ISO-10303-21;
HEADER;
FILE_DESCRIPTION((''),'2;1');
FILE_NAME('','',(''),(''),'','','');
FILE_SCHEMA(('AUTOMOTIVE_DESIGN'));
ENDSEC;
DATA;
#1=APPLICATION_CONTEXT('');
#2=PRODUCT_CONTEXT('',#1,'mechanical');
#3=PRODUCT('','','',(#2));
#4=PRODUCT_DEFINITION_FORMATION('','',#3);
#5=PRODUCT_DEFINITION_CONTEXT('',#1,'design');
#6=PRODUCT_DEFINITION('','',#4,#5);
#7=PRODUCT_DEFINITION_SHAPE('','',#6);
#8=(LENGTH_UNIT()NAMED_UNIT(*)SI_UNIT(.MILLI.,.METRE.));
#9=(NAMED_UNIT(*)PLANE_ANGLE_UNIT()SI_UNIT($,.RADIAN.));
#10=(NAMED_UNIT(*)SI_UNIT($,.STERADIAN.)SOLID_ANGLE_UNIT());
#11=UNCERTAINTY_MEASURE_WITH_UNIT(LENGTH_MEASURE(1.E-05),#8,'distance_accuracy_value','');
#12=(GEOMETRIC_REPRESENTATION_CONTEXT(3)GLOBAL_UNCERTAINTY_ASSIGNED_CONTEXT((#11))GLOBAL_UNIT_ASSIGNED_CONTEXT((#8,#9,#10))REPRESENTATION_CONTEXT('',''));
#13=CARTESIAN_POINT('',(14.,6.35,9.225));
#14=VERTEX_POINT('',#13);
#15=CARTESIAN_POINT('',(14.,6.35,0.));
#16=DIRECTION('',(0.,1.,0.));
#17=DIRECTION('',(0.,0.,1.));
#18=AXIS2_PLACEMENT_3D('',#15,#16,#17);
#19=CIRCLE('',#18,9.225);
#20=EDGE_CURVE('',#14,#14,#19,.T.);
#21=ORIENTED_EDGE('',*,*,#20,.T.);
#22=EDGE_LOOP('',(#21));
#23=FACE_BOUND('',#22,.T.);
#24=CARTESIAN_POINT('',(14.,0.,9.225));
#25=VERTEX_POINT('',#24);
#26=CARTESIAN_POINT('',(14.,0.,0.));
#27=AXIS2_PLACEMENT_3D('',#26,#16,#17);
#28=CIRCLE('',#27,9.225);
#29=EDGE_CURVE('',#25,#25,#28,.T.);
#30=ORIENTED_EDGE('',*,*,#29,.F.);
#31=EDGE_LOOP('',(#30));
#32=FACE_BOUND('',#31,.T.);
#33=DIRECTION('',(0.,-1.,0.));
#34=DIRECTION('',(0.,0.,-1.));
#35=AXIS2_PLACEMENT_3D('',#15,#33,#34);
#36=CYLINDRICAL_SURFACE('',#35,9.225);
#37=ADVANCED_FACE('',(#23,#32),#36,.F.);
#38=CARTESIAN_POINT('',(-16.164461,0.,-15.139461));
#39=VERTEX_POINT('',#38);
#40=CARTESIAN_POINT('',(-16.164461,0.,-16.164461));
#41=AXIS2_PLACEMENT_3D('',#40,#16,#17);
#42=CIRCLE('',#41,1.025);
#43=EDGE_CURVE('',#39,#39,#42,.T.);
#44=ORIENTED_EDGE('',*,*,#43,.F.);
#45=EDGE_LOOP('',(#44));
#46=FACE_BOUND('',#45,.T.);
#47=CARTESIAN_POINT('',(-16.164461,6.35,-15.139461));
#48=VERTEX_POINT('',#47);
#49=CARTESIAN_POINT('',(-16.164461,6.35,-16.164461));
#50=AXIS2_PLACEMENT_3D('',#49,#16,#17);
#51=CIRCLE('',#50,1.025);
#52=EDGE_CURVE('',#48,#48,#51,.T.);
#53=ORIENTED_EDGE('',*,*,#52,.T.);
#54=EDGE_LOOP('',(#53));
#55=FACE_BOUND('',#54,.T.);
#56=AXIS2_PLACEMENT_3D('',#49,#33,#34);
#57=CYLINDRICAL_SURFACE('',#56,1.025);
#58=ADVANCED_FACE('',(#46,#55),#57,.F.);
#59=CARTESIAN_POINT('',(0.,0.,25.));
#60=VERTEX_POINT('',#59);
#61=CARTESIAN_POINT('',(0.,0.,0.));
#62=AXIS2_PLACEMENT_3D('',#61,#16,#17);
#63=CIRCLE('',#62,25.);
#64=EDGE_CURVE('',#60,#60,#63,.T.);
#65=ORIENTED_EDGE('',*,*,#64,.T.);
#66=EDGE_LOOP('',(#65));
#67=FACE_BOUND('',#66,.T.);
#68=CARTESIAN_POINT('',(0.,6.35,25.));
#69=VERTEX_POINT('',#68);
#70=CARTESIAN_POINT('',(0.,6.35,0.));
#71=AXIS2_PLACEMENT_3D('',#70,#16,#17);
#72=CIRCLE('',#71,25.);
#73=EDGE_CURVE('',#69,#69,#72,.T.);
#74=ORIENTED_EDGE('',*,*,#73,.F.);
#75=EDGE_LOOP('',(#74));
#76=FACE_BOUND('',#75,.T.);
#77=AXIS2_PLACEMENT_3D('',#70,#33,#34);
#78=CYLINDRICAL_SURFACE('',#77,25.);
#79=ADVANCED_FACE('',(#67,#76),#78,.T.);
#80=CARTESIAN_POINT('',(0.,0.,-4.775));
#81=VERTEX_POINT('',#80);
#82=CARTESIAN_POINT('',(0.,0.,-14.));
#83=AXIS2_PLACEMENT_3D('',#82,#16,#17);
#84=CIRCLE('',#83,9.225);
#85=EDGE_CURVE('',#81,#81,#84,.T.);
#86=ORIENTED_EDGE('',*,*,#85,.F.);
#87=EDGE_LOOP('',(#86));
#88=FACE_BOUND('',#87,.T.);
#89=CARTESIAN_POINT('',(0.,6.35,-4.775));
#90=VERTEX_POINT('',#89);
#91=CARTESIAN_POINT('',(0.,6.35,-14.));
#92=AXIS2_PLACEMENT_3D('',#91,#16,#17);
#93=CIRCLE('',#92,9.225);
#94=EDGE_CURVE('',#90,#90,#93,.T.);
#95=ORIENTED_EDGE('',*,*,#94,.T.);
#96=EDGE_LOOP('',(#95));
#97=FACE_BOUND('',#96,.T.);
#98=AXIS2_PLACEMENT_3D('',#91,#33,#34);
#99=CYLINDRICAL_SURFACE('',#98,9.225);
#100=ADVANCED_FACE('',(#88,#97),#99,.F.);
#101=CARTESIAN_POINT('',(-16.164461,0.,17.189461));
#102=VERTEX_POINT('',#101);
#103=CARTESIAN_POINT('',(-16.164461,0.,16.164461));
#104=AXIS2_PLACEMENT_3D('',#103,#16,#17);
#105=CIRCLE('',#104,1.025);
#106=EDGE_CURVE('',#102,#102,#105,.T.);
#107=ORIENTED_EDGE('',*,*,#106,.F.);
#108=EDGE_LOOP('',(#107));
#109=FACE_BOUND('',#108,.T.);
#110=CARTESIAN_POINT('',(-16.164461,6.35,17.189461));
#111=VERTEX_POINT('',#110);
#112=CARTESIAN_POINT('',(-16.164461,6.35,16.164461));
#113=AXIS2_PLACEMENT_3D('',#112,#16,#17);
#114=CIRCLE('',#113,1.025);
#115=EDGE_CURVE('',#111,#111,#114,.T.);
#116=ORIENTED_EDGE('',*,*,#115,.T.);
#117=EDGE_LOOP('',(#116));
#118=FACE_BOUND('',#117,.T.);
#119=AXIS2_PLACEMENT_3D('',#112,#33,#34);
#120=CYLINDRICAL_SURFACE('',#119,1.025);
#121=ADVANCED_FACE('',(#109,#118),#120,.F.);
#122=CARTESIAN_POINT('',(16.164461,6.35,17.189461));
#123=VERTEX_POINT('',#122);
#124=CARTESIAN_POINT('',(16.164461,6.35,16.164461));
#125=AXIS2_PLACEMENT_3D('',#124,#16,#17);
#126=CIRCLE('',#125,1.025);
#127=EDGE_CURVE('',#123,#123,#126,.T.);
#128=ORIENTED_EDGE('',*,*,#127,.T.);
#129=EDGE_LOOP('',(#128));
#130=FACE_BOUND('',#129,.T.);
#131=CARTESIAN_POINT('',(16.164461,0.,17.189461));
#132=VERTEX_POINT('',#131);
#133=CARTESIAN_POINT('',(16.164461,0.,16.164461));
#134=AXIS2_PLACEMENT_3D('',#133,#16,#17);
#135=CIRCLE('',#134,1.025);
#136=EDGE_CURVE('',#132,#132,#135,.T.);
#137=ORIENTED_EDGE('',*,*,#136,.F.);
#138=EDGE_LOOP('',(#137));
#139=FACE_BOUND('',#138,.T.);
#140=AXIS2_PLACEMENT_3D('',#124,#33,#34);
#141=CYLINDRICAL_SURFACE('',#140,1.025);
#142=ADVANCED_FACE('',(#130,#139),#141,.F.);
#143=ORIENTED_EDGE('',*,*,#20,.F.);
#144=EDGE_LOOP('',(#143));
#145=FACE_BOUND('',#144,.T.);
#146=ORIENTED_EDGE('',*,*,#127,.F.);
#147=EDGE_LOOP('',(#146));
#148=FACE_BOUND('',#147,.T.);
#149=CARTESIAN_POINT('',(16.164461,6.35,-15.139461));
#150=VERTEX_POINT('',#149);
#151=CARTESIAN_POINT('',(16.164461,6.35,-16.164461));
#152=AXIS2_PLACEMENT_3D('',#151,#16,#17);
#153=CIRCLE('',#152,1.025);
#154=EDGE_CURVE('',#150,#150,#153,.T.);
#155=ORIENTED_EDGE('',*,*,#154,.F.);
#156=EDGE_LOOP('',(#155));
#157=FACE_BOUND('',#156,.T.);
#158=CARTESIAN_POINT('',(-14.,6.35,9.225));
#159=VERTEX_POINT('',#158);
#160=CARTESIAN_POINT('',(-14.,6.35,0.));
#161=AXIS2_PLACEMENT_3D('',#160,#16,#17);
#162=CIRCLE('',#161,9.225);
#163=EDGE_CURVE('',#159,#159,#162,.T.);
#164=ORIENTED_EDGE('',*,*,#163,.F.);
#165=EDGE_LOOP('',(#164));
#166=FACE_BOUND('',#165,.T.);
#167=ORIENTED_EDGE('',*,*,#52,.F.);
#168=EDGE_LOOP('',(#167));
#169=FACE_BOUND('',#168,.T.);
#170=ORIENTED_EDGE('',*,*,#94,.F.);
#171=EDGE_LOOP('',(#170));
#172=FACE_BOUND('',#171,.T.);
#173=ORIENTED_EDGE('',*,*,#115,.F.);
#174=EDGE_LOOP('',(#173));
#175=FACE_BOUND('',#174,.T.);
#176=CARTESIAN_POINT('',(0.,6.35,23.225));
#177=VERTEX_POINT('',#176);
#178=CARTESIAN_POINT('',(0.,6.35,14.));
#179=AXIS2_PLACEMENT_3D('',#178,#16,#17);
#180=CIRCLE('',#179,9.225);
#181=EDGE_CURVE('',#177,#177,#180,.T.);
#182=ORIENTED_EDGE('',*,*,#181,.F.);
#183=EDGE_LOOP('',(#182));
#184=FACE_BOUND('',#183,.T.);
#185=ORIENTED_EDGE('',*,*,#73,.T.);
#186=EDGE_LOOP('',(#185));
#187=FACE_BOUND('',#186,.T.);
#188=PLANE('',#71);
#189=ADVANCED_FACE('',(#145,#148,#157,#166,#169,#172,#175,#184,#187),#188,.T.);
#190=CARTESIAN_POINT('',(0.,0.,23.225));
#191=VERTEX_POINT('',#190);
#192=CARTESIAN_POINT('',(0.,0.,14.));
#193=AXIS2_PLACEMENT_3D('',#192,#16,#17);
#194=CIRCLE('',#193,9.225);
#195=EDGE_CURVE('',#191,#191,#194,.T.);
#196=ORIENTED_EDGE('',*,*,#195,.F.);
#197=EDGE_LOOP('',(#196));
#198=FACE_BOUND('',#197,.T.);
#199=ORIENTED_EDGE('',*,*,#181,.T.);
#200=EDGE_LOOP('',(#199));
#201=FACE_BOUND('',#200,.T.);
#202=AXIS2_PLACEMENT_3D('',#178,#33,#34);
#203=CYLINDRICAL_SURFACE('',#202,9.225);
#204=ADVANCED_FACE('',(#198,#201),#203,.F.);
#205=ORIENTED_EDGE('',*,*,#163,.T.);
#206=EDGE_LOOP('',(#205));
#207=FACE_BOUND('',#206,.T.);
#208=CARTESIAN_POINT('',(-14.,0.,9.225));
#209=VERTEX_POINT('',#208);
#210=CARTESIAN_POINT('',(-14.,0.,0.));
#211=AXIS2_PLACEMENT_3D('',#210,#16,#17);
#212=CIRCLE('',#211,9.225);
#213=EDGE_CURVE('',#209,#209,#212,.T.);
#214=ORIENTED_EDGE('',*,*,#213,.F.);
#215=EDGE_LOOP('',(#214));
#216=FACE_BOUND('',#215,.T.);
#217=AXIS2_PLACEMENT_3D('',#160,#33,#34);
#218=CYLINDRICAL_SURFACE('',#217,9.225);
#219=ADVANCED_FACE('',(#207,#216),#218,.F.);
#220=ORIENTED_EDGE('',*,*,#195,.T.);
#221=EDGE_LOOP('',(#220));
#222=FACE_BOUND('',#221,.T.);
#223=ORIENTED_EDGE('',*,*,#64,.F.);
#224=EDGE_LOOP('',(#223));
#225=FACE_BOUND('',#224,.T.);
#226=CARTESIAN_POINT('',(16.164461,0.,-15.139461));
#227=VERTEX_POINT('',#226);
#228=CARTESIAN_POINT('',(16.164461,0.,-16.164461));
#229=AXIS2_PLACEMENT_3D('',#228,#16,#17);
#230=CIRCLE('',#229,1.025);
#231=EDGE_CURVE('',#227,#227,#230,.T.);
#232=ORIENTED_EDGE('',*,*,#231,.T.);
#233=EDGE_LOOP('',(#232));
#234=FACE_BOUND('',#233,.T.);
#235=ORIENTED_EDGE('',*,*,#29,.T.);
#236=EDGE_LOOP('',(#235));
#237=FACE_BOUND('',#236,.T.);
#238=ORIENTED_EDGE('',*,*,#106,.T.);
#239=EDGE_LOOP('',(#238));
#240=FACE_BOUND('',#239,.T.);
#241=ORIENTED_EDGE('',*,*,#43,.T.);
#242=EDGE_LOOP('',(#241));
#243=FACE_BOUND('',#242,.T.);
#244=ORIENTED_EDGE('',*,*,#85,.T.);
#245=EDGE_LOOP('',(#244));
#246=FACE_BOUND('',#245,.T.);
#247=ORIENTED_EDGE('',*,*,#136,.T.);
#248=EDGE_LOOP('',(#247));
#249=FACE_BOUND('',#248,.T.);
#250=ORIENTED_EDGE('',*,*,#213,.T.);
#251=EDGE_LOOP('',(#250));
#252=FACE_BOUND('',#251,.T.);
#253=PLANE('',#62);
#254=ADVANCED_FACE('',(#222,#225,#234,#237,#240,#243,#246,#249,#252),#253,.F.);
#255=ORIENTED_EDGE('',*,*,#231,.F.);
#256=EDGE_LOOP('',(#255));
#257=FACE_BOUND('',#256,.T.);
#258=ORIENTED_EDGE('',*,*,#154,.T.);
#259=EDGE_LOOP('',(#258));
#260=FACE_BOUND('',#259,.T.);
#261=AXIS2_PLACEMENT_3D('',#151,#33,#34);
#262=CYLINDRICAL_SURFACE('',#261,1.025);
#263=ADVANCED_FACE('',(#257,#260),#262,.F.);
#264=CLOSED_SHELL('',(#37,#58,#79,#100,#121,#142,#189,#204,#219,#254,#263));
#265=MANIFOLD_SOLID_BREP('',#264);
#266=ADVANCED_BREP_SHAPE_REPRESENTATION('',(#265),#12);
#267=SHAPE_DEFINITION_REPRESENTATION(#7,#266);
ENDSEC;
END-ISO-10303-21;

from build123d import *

# Parameters (mm, degrees)
SKETCH1_R           = 25
SKETCH1_R_2         = 1.025
SKETCH1_R_3         = 9.225
BOSS_EXTRUDE1_DEPTH = 6.35


with BuildPart() as part:
    # Sketch1 → Boss-Extrude1 (new body)
    with BuildSketch(Plane(origin=(0, 0, 0), x_dir=(1, 0, 0), z_dir=(0, 1, 0))):
        with Locations(Location((0, 0, 0), (0, 0, 270))):
            Circle(SKETCH1_R)
        with Locations(Location((16.164461018, 16.164461018, 0), (0, 0, 270))):
            Circle(SKETCH1_R_2, mode=Mode.SUBTRACT)
        with Locations(Location((16.164461018, -16.164461018, 0), (0, 0, 270))):
            Circle(SKETCH1_R_2, mode=Mode.SUBTRACT)
        with Locations(Location((-16.164461018, -16.164461018, 0), (0, 0, 270))):
            Circle(SKETCH1_R_2, mode=Mode.SUBTRACT)
        with Locations(Location((-16.164461018, 16.164461018, 0), (0, 0, 270))):
            Circle(SKETCH1_R_2, mode=Mode.SUBTRACT)
        with Locations(Location((14, 0, 0), (0, 0, 270))):
            Circle(SKETCH1_R_3, mode=Mode.SUBTRACT)
        with Locations(Location((0, -14, 0), (0, 0, 270))):
            Circle(SKETCH1_R_3, mode=Mode.SUBTRACT)
        with Locations(Location((-14, 0, 0), (0, 0, 270))):
            Circle(SKETCH1_R_3, mode=Mode.SUBTRACT)
        with Locations(Location((0, 14, 0), (0, 0, 270))):
            Circle(SKETCH1_R_3, mode=Mode.SUBTRACT)
    extrude(amount=BOSS_EXTRUDE1_DEPTH)


solid = part.part
